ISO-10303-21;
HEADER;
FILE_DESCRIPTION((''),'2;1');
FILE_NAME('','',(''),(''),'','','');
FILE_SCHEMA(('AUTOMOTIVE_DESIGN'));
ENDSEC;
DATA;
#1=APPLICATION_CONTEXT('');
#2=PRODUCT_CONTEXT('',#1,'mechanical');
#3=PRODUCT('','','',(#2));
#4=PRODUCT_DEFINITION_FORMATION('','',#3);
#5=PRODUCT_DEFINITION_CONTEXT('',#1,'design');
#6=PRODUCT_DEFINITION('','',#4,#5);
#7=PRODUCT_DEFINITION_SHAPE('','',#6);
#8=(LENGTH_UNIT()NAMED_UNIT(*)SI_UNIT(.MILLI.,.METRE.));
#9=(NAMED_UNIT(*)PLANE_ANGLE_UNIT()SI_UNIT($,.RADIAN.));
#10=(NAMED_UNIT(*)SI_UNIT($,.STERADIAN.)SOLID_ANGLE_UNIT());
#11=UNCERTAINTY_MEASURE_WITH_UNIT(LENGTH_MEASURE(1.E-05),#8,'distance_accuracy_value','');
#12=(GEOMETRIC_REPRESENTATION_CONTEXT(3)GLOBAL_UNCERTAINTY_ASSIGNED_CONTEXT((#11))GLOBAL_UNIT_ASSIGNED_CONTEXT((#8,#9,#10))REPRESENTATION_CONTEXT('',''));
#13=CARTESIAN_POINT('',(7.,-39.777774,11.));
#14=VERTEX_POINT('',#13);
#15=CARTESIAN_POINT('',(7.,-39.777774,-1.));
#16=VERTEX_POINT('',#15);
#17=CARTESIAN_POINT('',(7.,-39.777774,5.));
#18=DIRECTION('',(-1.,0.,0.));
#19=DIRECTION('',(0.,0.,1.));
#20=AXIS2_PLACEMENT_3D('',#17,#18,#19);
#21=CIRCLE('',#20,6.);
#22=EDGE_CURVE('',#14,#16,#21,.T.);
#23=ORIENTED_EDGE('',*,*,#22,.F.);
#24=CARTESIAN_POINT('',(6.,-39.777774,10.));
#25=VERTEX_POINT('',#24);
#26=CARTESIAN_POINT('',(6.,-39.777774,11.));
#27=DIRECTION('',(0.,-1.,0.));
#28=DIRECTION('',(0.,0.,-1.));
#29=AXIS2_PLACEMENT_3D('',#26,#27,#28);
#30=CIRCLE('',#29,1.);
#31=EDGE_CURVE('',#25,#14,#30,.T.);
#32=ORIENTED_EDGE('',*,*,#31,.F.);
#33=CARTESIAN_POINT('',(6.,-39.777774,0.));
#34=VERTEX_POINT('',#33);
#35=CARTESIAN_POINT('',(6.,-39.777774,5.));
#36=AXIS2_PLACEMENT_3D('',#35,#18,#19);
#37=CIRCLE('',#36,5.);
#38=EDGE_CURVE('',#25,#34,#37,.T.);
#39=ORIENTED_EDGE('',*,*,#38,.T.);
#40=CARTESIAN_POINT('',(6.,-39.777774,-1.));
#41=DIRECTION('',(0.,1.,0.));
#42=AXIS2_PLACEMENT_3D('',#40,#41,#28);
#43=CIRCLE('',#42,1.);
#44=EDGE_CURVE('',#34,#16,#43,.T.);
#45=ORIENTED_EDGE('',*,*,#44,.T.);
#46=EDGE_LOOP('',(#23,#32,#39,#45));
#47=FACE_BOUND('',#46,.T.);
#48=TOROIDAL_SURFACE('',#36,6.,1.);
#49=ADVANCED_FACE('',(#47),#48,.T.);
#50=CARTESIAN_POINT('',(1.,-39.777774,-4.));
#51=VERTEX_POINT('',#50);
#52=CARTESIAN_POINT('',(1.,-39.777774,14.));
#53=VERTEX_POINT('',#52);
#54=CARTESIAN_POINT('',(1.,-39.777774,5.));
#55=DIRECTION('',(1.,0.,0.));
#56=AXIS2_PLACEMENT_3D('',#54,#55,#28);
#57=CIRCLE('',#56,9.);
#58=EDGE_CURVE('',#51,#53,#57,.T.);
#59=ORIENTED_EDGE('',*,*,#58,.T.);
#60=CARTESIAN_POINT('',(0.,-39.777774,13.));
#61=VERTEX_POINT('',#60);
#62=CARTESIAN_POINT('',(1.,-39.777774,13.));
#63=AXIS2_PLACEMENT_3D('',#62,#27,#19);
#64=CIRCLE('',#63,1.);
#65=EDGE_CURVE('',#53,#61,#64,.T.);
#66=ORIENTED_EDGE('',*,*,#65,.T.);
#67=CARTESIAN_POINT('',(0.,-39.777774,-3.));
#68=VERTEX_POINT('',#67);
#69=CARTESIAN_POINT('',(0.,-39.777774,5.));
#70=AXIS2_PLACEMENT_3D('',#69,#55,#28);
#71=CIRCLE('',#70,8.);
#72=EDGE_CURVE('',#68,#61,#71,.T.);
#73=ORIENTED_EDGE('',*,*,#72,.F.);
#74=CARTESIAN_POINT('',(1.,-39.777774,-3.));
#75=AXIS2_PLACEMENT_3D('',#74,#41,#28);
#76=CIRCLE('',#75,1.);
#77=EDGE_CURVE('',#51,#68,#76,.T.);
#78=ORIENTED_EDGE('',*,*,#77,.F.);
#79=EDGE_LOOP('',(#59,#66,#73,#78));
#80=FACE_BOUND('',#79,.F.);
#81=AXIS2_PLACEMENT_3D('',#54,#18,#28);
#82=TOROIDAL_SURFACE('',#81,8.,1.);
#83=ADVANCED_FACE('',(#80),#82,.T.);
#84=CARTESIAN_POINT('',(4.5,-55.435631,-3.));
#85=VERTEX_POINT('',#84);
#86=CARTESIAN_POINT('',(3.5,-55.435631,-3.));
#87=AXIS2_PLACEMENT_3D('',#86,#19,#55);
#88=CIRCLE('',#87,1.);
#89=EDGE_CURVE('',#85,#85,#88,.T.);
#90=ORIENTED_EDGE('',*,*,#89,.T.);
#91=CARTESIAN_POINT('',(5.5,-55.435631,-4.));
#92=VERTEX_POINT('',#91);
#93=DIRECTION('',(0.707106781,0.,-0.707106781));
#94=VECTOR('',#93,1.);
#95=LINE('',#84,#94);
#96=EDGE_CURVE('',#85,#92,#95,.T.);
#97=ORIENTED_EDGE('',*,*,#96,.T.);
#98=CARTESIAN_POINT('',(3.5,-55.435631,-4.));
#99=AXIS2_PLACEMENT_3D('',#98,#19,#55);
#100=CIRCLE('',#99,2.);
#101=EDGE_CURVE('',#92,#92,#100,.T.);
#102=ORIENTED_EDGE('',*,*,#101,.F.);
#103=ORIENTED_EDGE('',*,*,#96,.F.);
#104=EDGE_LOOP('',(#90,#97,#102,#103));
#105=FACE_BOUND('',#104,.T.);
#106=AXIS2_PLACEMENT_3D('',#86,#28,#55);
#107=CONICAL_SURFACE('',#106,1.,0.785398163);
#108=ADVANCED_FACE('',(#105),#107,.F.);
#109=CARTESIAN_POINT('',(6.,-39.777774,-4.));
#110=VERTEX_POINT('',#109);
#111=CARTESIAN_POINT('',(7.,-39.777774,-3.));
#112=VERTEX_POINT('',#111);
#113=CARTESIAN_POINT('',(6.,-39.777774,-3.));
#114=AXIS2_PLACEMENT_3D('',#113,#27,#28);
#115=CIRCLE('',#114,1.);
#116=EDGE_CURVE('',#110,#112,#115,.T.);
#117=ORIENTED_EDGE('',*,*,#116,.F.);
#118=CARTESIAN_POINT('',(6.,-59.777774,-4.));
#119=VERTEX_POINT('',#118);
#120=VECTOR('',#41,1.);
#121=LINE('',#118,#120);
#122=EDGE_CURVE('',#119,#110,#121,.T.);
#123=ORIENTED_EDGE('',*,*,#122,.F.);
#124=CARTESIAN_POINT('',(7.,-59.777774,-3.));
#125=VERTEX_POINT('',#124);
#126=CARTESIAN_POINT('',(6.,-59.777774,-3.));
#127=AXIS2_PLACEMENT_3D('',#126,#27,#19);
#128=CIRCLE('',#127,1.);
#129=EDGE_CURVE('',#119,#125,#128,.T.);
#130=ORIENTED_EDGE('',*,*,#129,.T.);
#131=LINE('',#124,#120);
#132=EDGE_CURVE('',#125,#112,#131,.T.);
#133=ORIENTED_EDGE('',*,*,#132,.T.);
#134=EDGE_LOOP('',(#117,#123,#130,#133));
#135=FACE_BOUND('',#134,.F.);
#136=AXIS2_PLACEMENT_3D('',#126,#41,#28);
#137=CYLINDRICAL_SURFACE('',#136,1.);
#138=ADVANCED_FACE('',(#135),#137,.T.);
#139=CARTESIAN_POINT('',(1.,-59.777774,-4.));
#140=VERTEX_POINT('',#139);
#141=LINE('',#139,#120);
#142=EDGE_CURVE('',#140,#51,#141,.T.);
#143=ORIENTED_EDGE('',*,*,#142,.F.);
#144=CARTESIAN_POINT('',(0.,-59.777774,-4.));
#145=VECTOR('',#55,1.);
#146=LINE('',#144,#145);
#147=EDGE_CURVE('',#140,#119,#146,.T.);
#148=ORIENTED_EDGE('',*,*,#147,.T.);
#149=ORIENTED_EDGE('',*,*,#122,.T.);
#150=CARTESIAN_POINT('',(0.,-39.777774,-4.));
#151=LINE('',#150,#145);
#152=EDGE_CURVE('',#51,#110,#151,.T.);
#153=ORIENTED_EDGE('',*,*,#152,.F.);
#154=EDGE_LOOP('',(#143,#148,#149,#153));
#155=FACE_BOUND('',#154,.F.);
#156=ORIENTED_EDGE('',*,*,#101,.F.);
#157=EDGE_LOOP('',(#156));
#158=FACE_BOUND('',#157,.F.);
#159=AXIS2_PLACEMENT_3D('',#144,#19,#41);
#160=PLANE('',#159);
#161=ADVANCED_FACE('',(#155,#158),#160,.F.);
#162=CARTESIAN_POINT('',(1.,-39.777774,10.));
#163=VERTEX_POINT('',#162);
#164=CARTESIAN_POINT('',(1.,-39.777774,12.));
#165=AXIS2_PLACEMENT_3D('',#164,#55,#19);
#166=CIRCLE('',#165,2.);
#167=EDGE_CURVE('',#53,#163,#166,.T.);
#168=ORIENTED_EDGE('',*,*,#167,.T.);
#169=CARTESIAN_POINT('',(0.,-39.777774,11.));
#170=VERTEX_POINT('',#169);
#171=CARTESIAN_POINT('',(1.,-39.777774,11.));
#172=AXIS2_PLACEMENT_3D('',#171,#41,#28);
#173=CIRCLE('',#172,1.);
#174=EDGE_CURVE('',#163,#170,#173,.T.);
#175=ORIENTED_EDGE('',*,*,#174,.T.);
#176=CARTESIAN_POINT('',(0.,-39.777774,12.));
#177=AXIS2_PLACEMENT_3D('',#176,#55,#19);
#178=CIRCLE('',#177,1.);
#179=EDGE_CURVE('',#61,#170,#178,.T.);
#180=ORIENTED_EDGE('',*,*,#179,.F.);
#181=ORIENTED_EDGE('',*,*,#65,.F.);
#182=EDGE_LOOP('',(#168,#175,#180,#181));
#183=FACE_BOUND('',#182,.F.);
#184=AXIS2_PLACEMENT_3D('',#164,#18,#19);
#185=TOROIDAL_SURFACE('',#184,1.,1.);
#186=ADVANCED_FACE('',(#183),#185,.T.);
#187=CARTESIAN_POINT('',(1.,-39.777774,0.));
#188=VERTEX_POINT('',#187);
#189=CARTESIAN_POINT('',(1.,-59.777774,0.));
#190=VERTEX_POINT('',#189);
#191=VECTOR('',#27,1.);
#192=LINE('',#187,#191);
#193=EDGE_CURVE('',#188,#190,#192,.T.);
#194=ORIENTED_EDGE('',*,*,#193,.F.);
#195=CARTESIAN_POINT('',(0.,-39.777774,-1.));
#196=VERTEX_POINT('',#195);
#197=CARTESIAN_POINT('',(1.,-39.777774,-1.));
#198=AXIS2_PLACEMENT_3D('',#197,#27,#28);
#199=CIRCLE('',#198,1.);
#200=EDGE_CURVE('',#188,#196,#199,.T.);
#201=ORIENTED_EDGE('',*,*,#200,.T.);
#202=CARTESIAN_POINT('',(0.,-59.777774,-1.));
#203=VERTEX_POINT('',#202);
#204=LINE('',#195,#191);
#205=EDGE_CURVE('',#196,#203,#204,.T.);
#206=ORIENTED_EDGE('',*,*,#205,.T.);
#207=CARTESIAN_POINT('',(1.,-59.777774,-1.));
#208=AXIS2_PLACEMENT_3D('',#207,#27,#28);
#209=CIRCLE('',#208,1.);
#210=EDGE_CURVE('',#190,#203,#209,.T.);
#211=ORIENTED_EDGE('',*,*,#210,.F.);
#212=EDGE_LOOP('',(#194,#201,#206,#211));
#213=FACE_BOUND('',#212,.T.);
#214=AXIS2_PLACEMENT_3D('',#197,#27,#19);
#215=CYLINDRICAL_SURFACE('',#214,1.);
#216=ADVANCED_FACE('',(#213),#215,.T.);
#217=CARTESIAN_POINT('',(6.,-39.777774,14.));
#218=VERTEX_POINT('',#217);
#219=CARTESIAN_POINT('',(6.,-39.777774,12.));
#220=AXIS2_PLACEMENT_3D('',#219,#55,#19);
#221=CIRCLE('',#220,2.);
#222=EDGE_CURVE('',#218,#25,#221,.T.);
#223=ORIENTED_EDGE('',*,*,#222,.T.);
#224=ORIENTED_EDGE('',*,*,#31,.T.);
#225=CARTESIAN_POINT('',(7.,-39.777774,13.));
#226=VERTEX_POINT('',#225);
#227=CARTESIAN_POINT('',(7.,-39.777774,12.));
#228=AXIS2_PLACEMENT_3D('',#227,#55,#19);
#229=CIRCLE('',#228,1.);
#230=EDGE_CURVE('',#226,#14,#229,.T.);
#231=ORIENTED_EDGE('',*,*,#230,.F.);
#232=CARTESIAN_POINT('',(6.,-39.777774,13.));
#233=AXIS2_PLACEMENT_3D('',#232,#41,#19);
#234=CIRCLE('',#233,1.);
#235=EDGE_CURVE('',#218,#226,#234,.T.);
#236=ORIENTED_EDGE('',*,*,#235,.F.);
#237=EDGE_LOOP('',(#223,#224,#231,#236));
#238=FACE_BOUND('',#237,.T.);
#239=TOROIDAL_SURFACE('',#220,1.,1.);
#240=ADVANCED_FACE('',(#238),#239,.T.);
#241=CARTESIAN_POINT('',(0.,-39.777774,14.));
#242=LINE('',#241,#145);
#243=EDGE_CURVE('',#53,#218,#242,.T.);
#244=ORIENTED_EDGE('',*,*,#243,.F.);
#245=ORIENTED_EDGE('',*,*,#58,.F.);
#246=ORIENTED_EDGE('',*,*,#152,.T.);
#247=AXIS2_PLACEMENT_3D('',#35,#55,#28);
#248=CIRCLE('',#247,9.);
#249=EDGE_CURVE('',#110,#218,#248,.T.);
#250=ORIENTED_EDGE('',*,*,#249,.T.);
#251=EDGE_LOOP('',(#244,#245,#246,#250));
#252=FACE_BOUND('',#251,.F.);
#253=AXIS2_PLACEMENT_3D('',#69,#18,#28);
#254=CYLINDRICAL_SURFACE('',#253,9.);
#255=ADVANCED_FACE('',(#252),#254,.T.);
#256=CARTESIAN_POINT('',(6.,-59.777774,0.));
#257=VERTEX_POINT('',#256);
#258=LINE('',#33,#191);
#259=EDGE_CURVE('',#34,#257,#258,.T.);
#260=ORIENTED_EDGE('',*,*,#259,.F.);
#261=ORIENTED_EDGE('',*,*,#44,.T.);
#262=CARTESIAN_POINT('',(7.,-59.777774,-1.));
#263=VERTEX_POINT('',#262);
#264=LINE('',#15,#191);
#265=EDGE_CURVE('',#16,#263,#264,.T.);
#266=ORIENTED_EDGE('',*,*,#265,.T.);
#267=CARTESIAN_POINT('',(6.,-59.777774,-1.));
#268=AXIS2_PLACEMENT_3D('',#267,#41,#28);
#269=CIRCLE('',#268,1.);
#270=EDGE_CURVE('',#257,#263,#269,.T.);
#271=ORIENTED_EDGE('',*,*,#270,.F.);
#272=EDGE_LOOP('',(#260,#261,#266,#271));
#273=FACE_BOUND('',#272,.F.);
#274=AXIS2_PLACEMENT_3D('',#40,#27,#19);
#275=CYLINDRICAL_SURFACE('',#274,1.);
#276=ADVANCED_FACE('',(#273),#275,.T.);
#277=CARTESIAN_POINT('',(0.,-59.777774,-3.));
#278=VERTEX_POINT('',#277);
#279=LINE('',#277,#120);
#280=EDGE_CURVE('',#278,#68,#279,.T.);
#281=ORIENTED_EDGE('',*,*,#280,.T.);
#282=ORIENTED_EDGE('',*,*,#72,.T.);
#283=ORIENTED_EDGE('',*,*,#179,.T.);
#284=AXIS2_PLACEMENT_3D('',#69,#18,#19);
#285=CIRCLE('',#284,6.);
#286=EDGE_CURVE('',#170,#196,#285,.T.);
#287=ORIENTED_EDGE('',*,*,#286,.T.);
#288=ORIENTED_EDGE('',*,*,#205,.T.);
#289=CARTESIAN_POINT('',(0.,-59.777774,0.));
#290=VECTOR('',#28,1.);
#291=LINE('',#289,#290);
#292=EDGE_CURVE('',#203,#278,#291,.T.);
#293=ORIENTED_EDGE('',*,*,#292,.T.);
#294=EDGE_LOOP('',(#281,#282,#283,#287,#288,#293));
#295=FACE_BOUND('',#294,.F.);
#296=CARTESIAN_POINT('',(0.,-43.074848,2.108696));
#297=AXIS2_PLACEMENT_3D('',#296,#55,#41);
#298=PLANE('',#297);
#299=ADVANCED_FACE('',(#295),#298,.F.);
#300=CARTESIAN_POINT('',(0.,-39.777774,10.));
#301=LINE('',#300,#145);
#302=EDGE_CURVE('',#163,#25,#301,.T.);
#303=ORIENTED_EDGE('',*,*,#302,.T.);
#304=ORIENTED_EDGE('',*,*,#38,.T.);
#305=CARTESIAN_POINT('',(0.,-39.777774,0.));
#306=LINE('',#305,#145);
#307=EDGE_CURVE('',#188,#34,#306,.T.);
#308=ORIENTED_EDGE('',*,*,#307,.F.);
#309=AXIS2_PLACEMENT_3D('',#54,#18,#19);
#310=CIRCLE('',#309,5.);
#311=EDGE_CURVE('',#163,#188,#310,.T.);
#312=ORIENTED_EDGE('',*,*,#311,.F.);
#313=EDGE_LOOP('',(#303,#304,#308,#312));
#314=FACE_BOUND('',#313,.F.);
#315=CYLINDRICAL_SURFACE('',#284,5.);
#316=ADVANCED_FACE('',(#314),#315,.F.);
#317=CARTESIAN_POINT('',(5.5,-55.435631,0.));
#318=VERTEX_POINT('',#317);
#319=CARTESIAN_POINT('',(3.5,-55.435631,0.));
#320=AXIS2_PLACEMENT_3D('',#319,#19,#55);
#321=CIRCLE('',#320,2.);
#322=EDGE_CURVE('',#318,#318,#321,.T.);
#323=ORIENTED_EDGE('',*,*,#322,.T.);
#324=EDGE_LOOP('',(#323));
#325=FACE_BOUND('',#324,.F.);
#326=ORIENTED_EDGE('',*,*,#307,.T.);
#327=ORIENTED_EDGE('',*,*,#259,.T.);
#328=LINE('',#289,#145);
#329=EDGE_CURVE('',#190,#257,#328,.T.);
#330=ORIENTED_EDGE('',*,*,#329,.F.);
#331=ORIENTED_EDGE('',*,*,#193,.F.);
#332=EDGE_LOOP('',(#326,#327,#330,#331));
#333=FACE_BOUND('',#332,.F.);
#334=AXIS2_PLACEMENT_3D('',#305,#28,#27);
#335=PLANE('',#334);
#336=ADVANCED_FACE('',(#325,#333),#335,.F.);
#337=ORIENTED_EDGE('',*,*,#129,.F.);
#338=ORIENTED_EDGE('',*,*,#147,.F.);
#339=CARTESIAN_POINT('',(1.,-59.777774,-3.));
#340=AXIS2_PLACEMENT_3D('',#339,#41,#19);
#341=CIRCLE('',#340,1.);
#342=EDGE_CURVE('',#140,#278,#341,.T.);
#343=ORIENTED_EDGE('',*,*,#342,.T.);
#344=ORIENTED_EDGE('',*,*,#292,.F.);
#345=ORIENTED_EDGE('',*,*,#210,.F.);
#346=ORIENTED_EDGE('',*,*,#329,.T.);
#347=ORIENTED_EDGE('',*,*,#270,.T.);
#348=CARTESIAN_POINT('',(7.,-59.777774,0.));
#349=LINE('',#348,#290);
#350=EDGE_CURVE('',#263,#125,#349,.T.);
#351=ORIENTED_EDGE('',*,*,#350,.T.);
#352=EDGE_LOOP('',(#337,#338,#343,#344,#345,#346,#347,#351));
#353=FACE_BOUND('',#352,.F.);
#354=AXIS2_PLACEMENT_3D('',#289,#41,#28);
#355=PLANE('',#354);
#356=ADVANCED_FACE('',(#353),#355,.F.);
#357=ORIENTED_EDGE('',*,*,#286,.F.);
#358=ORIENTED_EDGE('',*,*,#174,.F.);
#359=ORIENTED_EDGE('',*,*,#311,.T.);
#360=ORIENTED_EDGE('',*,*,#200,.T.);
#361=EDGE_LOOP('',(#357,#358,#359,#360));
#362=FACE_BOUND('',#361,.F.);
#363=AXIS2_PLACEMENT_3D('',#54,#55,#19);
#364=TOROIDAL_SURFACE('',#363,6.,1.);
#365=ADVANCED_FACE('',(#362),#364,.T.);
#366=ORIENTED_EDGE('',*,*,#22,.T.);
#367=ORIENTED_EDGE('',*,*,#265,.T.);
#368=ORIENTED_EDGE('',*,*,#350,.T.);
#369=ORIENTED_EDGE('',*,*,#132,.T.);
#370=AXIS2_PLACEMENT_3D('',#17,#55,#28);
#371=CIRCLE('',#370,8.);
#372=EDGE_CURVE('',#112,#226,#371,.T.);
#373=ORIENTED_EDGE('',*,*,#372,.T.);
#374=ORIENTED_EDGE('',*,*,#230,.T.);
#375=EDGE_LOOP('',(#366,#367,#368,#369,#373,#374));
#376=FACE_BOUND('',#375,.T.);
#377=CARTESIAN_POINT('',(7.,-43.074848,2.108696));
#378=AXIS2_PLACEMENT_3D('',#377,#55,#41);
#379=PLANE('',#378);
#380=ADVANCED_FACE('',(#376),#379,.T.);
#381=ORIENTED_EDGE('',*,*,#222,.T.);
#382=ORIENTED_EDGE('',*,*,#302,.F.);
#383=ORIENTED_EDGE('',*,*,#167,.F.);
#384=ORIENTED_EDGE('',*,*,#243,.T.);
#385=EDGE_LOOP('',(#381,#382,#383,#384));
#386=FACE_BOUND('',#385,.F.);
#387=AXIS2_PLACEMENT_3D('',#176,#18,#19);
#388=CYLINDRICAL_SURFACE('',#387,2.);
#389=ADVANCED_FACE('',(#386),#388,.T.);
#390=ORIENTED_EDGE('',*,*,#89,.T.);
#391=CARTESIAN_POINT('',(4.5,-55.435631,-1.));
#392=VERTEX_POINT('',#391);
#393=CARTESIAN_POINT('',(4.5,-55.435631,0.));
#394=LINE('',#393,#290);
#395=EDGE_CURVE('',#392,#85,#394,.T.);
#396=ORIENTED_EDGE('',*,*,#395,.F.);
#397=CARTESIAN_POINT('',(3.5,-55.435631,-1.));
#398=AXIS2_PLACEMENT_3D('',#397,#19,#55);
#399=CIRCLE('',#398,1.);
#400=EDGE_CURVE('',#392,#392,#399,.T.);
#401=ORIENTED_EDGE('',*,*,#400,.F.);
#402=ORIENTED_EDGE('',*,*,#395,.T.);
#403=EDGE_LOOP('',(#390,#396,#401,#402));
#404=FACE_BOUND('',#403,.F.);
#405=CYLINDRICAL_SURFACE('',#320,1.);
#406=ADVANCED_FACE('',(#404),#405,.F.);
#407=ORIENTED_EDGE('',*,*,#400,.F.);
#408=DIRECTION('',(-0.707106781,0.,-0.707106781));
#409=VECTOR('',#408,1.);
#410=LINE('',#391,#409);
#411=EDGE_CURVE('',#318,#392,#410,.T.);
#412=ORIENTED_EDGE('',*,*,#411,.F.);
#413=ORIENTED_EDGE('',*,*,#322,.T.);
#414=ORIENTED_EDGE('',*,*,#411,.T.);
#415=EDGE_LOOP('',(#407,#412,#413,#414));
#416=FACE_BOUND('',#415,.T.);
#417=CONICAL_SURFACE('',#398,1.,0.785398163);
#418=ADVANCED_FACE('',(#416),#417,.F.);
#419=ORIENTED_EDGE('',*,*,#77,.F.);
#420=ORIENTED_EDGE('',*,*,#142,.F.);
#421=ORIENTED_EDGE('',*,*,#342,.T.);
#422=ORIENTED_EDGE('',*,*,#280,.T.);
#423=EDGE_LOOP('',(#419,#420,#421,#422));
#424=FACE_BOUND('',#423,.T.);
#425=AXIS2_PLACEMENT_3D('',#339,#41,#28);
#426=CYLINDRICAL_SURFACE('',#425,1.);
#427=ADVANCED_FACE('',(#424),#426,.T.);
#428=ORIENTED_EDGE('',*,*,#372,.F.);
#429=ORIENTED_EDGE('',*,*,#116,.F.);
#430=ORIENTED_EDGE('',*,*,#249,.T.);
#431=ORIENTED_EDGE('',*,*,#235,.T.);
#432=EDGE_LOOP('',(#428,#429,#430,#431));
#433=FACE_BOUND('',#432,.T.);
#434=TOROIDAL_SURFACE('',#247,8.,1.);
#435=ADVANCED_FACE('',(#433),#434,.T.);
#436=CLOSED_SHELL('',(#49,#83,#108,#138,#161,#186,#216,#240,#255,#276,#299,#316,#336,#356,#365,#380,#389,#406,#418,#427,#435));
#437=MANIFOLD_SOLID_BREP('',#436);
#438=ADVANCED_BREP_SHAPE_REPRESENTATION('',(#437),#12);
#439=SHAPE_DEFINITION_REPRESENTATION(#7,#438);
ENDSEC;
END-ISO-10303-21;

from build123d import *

# Parameters (mm, degrees)
F1_DEPTH = 7
F2_R     = 1
F3_DEPTH = 25
F4_SIZE  = 1
F5_R     = 1


with BuildPart() as f1:
    # F0 (on Right) → F1 (new body)
    with BuildSketch(Plane.YZ):
        with BuildLine():
            Line((-39.777774, 0), (-59.777774, 0))
            Line((-59.777774, 0), (-59.777774, -4))
            Line((-59.777774, -4), (-39.777774, -4))
            ThreePointArc((-39.777774, -4), (-30.777774, 5), (-39.777774, 14))
            ThreePointArc((-39.777774, 14), (-41.777774, 12), (-39.777774, 10))
            ThreePointArc((-39.777774, 10), (-34.777774, 5), (-39.777774, 0))
        make_face()
    extrude(amount=F1_DEPTH)

    # F2 (on face) → F3 (cut)
    with BuildSketch(Plane.XY):
        with Locations((3.5, -55.435631)):
            Circle(F2_R)
    extrude(amount=-F3_DEPTH, mode=Mode.SUBTRACT)

    # F4
    f4_edges = [f1.edges().sort_by_distance(p)[0] for p in [
        (2.5, -55.435631, 0),
        (2.5, -55.435631, -4),
    ]]
    chamfer(f4_edges, length=F4_SIZE)

    # F5
    f5_edges = [f1.edges().sort_by_distance(p)[0] for p in [
        (7, -49.777774, 0),
        (7, -34.777774, 5),
        (0, -49.777774, 0),
        (0, -34.777774, 5),
    ]]
    fillet(f5_edges, radius=F5_R)


solid = f1.part
